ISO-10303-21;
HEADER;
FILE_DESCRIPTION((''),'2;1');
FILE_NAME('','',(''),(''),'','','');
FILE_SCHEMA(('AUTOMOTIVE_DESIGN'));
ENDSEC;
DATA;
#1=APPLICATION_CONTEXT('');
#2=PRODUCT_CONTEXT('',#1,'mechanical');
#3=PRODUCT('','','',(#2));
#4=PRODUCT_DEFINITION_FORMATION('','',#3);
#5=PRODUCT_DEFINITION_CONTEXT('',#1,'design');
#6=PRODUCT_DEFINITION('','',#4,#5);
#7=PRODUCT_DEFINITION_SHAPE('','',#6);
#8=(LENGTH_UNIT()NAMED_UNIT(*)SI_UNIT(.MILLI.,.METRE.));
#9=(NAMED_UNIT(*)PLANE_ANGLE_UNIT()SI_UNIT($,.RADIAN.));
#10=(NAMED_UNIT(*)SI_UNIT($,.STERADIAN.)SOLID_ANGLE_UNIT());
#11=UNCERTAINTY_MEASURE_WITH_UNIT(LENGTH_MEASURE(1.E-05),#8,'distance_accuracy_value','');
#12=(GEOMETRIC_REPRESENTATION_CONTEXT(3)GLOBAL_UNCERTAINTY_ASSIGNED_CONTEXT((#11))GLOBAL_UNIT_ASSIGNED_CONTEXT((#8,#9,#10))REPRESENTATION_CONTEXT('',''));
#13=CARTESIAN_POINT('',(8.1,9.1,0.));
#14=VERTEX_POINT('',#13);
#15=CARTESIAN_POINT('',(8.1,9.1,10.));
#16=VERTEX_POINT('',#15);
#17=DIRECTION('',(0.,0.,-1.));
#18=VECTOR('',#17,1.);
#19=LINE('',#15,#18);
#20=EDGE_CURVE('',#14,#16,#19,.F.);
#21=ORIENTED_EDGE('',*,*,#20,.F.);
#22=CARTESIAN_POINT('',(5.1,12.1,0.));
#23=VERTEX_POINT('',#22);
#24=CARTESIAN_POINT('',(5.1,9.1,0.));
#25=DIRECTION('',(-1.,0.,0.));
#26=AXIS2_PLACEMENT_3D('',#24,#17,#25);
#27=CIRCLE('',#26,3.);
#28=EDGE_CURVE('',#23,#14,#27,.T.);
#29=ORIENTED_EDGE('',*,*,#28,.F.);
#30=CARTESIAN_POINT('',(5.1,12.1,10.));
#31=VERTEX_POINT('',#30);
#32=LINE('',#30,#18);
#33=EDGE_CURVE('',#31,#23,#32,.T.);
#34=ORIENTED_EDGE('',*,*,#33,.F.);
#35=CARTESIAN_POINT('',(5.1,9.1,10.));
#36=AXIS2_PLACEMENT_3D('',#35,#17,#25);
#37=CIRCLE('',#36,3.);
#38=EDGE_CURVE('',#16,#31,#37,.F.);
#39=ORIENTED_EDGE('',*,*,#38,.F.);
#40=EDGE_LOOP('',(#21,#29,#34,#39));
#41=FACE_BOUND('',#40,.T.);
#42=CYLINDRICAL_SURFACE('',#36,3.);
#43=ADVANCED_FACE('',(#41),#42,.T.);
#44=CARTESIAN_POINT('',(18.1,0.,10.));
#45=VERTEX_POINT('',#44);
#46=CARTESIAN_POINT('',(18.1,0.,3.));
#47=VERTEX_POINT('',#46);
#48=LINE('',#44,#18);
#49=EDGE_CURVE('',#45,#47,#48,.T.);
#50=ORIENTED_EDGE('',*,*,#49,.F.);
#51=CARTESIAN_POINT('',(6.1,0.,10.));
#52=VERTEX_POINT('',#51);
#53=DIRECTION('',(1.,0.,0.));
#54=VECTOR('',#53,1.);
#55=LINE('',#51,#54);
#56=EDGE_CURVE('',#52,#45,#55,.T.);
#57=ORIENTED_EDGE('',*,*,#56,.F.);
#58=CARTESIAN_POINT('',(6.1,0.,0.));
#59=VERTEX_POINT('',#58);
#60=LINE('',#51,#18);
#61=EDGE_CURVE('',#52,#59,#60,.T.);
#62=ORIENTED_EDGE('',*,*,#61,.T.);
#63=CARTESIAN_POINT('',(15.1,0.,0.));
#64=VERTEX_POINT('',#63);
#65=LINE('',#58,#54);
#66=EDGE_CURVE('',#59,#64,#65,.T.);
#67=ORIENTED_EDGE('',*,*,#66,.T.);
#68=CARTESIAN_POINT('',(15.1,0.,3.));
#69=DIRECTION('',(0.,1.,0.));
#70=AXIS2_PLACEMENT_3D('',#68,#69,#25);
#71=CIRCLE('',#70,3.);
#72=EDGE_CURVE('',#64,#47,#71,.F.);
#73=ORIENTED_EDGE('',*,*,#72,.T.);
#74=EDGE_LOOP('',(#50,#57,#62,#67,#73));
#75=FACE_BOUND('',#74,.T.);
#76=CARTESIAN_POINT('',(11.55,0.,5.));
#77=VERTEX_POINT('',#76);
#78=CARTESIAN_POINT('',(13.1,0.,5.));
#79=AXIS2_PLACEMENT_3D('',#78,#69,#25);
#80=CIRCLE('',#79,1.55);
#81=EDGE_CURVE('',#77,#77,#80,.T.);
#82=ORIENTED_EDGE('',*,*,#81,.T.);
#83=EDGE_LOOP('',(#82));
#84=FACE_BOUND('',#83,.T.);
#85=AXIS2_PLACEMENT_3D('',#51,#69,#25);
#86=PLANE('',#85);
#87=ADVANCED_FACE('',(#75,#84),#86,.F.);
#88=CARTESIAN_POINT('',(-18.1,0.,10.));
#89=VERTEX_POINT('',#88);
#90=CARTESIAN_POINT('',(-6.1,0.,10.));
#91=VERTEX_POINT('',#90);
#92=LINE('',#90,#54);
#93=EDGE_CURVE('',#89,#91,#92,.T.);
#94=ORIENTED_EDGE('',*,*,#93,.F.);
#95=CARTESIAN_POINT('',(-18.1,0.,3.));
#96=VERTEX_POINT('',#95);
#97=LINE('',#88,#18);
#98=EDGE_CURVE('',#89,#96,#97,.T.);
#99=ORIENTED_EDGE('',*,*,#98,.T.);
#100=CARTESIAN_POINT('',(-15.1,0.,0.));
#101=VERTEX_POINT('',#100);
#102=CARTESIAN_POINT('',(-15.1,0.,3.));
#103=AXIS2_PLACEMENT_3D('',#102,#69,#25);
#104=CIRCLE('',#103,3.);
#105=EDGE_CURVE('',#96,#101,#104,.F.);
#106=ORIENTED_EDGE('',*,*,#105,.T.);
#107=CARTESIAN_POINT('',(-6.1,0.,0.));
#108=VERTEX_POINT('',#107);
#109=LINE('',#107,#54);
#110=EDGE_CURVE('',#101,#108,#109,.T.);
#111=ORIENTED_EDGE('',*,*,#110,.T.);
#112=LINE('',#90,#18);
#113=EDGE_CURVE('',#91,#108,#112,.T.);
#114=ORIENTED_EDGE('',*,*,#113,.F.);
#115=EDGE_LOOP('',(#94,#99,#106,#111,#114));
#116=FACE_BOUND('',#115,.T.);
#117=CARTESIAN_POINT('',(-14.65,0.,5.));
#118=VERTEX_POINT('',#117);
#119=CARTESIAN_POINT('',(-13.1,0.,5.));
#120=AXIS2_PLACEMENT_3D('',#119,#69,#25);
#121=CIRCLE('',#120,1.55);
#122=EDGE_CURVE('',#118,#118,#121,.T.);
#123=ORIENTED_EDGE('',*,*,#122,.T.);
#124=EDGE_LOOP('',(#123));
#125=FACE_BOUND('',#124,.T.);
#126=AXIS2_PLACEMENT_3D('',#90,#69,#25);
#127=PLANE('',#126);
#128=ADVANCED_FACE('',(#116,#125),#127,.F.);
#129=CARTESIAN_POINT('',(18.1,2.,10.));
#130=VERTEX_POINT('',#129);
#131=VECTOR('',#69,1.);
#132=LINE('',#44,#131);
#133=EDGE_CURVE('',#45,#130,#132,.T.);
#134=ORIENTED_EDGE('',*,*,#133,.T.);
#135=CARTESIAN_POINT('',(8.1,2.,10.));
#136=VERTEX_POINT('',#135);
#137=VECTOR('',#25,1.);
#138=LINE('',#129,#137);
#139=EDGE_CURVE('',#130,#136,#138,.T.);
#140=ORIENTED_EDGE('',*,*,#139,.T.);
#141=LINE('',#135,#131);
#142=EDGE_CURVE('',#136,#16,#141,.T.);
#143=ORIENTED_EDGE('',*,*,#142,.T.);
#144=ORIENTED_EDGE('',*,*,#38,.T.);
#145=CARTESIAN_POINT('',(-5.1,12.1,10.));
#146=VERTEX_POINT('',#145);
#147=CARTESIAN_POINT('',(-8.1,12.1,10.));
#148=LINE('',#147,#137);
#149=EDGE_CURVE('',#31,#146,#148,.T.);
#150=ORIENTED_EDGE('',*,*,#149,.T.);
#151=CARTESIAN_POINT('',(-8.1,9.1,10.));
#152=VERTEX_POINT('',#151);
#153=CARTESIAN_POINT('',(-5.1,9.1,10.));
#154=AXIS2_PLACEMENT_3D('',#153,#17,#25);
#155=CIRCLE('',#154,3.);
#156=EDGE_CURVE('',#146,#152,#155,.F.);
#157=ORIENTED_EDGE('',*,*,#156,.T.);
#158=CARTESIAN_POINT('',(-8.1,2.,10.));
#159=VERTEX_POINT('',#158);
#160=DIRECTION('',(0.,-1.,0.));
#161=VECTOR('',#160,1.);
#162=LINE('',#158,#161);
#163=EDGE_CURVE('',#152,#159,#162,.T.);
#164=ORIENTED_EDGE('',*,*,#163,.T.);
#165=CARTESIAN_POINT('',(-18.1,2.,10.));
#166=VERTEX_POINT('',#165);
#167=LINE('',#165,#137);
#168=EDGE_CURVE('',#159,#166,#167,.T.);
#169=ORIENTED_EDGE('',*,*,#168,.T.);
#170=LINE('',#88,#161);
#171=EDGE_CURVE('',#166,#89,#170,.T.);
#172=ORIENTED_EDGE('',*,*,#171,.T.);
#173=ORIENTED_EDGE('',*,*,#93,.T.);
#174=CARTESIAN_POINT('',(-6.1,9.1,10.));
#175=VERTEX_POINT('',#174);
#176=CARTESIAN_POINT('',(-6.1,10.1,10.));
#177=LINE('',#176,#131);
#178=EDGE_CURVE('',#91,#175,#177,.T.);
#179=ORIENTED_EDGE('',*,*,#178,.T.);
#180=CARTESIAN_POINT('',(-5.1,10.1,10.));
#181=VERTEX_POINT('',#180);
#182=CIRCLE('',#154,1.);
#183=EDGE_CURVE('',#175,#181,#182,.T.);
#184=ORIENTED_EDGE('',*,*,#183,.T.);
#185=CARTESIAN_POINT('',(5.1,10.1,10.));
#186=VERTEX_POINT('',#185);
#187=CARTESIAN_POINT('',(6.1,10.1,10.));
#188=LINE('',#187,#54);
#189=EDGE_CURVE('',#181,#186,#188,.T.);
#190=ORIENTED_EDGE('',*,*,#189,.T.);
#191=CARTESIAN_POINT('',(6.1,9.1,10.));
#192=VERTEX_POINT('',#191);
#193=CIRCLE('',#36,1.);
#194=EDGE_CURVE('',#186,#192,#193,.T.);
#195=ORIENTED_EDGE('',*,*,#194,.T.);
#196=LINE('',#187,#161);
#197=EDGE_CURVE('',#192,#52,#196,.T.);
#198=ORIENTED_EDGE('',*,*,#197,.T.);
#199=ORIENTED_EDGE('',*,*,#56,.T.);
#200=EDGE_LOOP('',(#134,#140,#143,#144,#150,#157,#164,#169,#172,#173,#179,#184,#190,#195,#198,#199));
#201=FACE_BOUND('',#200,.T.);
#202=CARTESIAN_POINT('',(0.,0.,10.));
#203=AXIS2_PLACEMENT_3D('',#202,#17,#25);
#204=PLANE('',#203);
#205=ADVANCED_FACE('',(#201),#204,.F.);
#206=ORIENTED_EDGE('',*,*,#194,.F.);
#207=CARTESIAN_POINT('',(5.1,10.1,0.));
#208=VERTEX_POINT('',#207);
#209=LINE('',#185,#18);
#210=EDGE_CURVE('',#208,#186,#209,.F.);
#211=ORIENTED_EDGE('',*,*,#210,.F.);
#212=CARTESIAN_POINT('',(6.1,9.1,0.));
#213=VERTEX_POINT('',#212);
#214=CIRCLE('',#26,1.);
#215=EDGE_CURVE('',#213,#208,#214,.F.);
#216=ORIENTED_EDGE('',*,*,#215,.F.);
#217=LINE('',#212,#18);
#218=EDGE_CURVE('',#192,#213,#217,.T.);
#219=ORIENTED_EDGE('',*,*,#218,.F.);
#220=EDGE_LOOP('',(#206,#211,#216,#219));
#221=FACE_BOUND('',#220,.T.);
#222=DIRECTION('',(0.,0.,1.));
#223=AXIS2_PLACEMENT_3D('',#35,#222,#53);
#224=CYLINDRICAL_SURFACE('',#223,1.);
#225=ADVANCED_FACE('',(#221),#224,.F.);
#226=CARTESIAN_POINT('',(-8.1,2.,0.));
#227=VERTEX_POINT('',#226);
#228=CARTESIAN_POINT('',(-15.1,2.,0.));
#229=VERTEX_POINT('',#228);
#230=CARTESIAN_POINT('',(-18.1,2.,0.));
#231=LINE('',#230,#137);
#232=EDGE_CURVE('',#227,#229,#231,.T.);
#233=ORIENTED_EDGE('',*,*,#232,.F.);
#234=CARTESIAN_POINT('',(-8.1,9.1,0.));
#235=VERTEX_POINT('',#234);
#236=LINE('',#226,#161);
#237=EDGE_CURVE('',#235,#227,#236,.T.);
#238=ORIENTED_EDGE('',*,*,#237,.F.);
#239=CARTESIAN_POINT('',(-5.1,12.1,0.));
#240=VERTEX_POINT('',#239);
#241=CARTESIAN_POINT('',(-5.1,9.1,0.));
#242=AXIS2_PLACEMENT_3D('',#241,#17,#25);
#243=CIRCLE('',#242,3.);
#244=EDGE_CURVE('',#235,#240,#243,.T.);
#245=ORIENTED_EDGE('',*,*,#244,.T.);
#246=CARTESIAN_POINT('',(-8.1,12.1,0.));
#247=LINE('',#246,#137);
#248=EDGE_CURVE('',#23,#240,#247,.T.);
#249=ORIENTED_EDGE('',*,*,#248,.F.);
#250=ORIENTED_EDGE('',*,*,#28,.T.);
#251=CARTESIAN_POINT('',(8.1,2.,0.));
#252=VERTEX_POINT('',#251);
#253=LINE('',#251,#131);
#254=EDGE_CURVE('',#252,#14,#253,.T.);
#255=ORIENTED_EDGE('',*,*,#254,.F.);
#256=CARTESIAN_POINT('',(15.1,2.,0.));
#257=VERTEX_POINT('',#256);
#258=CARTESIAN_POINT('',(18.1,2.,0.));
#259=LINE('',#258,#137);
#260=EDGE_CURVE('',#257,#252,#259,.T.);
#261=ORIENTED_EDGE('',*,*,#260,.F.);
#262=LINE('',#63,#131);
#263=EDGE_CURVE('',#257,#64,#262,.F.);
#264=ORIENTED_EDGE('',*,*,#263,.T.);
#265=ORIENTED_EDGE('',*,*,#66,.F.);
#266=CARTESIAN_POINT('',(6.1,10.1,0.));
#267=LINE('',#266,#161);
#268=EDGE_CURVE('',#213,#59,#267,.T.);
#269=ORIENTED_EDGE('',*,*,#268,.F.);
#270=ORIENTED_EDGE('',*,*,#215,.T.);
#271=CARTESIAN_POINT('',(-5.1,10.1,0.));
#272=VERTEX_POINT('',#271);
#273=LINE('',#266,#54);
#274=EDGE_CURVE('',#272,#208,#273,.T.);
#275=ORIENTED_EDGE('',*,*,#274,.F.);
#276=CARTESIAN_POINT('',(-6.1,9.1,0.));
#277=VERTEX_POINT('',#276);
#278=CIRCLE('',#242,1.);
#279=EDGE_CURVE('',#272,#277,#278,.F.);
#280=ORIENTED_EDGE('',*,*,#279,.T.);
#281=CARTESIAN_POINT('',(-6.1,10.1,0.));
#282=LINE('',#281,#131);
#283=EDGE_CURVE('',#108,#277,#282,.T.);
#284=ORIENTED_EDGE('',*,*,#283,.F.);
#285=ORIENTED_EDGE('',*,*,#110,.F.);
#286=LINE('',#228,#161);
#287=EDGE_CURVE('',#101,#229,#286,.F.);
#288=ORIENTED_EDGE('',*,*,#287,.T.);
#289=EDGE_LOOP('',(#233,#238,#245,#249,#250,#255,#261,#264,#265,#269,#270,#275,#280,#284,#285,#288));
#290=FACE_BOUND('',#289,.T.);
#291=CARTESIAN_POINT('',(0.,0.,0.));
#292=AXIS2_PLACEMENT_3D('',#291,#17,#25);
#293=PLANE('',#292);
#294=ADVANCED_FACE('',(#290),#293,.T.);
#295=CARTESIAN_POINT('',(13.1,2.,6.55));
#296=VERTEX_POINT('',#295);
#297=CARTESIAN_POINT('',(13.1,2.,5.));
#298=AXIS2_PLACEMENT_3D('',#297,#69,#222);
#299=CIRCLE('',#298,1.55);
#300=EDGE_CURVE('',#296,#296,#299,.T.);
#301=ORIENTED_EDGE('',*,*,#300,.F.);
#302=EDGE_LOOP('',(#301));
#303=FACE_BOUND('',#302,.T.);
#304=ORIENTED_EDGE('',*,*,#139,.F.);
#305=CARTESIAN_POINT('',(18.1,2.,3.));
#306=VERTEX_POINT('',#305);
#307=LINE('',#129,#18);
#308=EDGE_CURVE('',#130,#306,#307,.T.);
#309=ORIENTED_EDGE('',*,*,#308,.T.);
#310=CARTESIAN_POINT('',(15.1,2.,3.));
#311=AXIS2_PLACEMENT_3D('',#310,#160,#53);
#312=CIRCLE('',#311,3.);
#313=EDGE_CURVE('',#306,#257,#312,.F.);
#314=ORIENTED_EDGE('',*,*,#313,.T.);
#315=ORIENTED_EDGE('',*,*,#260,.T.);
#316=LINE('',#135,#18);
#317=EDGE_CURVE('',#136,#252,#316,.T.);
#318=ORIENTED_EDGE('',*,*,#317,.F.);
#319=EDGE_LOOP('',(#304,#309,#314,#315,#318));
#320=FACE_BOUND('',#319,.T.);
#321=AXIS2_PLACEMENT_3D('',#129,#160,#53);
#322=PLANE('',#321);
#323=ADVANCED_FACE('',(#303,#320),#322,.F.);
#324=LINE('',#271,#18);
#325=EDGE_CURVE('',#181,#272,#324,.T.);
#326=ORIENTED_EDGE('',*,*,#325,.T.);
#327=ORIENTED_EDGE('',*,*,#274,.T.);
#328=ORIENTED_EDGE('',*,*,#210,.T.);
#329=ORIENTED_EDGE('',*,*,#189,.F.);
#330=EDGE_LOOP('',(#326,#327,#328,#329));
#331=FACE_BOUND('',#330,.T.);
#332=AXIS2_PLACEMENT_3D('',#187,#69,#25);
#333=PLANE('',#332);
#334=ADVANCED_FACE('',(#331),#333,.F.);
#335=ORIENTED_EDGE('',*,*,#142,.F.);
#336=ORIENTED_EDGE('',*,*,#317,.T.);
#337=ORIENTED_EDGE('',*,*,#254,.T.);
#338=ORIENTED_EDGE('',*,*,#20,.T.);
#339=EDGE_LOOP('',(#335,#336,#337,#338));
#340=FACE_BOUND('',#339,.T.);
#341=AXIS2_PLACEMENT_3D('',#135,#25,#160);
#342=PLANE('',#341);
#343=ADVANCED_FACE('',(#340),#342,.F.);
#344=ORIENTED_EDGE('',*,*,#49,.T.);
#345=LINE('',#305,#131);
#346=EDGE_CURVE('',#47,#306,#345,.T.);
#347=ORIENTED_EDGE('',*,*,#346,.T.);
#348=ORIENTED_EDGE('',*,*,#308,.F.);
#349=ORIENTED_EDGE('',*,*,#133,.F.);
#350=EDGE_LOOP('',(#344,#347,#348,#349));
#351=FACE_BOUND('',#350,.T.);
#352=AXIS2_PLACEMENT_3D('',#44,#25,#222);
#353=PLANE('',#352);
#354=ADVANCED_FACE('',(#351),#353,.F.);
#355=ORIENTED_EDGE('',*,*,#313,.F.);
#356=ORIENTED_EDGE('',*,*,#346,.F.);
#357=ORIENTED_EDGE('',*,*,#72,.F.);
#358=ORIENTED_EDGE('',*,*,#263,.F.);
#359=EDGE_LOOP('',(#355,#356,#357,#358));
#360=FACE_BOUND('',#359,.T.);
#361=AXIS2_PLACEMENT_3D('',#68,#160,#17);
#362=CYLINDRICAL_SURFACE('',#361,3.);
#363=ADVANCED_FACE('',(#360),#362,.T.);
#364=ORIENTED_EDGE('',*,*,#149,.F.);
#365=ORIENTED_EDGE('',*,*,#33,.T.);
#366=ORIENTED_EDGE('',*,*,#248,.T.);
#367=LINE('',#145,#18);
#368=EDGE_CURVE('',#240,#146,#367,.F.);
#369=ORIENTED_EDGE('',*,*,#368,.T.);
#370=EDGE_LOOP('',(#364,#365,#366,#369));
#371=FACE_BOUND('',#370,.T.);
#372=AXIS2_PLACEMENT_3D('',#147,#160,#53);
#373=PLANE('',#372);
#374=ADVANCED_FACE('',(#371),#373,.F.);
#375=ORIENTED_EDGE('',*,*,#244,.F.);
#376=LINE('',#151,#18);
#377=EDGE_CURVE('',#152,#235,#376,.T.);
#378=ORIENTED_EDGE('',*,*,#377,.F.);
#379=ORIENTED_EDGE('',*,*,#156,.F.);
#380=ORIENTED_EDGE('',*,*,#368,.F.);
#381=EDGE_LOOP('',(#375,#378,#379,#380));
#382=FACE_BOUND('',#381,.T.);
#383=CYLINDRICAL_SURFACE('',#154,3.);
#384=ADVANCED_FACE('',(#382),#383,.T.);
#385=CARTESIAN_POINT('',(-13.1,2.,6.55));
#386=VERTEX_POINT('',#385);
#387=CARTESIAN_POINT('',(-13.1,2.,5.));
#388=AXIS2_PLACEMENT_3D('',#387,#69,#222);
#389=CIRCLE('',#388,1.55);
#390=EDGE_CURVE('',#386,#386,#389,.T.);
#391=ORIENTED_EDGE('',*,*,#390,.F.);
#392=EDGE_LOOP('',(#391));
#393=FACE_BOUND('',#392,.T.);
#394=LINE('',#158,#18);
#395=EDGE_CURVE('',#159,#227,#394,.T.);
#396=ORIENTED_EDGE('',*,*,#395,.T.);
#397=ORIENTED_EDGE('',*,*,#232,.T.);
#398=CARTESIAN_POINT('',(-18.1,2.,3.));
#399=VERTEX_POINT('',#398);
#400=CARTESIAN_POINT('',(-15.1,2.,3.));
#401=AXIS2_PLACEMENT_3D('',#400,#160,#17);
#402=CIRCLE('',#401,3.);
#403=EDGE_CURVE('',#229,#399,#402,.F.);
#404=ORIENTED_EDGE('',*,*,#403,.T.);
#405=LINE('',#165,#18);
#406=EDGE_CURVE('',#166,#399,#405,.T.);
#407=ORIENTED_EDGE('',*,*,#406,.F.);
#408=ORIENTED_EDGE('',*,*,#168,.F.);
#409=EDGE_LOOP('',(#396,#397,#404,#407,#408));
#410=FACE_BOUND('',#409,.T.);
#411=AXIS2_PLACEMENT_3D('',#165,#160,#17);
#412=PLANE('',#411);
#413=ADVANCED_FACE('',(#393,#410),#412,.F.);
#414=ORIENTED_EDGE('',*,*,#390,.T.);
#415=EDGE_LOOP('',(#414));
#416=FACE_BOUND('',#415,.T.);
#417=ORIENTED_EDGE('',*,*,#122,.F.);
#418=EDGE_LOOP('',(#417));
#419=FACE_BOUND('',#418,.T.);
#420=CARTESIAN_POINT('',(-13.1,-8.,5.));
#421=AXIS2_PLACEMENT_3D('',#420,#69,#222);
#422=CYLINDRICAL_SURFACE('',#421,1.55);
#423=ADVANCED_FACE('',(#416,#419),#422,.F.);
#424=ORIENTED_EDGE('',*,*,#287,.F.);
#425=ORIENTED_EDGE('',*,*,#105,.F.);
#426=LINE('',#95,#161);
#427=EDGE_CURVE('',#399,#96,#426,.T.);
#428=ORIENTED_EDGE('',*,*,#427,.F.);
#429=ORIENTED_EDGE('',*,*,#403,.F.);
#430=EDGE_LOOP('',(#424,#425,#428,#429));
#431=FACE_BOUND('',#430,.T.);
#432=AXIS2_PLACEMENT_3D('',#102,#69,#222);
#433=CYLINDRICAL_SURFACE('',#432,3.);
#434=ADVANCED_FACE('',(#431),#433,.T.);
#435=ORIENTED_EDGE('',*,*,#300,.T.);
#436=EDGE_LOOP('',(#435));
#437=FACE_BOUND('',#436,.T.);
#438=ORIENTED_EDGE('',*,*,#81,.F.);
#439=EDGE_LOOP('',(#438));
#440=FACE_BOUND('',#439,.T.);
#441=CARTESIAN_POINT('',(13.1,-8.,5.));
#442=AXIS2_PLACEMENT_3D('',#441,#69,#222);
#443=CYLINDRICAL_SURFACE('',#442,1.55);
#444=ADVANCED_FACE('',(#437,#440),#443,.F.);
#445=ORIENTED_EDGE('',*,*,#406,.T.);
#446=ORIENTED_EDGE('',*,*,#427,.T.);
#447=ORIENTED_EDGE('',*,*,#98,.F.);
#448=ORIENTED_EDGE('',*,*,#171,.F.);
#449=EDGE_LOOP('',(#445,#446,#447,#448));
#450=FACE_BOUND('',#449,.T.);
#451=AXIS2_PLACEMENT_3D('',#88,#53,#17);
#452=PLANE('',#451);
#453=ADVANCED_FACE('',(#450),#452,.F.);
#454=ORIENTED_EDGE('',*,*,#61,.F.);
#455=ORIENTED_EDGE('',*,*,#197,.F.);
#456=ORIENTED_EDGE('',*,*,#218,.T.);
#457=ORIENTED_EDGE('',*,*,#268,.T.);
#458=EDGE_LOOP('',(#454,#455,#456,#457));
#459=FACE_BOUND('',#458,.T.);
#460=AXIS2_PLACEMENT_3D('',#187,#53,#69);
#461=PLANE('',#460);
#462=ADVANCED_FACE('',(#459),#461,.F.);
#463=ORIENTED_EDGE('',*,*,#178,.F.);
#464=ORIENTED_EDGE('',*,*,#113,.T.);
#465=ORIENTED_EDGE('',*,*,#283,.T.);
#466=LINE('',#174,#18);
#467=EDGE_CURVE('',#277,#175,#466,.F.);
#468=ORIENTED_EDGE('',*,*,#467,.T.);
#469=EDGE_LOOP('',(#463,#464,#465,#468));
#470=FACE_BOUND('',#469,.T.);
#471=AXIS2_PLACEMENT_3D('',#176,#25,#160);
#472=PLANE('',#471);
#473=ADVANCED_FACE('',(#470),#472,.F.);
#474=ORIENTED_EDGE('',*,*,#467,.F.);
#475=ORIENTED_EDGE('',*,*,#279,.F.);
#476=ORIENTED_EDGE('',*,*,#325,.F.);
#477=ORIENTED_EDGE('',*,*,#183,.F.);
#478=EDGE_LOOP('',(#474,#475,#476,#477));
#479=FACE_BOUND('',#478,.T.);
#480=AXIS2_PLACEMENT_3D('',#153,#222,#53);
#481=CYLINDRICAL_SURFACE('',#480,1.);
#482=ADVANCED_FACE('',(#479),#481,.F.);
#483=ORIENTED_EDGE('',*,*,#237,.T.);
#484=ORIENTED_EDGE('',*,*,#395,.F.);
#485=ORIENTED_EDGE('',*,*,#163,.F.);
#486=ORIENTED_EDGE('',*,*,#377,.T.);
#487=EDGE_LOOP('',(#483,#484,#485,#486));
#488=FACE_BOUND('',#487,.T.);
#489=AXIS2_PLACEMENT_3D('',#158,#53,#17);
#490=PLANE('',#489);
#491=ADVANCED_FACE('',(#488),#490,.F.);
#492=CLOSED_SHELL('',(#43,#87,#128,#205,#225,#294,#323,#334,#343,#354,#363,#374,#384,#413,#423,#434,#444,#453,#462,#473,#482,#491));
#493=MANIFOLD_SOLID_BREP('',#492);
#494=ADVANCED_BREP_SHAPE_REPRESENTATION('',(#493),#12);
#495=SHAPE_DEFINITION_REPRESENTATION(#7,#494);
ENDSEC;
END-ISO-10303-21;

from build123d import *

# Parameters (mm, degrees)
BOSS_EXTRUDE1_DEPTH = 10
SKETCH2_R           = 1.55
CUT_EXTRUDE1_DEPTH  = 10
SKETCH3_R           = 1.55
CUT_EXTRUDE2_DEPTH  = 10
FILLET1_R           = 3
FILLET2_R           = 3
FILLET3_R           = 1


with BuildPart() as part:
    # Sketch1 → Boss-Extrude1 (new body)
    with BuildSketch(Plane.XY):
        Polygon((6.1, 10.1), (-6.1, 10.1), (-6.1, 0), (-18.1, 0), (-18.1, 2), (-8.1, 2), (-8.1, 12.1), (8.1, 12.1), (8.1, 2), (18.1, 2), (18.1, 0), (6.1, 0), align=None)
    extrude(amount=BOSS_EXTRUDE1_DEPTH)

    # Sketch2 → Cut-Extrude1 (cut)
    with BuildSketch(Plane(origin=(0, 2, 0), x_dir=(1, 0, 0), z_dir=(0, 1, 0))):
        with Locations((-13.1, -5)):
            Circle(SKETCH2_R)
    extrude(amount=-CUT_EXTRUDE1_DEPTH, mode=Mode.SUBTRACT)

    # Sketch3 → Cut-Extrude2 (cut)
    with BuildSketch(Plane(origin=(0, 2, 0), x_dir=(1, 0, 0), z_dir=(0, 1, 0))):
        with Locations((13.1, -5)):
            Circle(SKETCH3_R)
    extrude(amount=-CUT_EXTRUDE2_DEPTH, mode=Mode.SUBTRACT)

    # Fillet1
    fillet1_edges = [part.edges().sort_by_distance(p)[0] for p in [
        (-18.1, 1, 0),
        (18.1, 1, 0),
    ]]
    fillet(fillet1_edges, radius=FILLET1_R)

    # Fillet2
    fillet2_edges = [part.edges().sort_by_distance(p)[0] for p in [
        (-8.1, 12.1, 5),
        (8.1, 12.1, 5),
    ]]
    fillet(fillet2_edges, radius=FILLET2_R)

    # Fillet3
    fillet3_edges = [part.edges().sort_by_distance(p)[0] for p in [
        (6.1, 10.1, 5),
        (-6.1, 10.1, 5),
    ]]
    fillet(fillet3_edges, radius=FILLET3_R)


solid = part.part
